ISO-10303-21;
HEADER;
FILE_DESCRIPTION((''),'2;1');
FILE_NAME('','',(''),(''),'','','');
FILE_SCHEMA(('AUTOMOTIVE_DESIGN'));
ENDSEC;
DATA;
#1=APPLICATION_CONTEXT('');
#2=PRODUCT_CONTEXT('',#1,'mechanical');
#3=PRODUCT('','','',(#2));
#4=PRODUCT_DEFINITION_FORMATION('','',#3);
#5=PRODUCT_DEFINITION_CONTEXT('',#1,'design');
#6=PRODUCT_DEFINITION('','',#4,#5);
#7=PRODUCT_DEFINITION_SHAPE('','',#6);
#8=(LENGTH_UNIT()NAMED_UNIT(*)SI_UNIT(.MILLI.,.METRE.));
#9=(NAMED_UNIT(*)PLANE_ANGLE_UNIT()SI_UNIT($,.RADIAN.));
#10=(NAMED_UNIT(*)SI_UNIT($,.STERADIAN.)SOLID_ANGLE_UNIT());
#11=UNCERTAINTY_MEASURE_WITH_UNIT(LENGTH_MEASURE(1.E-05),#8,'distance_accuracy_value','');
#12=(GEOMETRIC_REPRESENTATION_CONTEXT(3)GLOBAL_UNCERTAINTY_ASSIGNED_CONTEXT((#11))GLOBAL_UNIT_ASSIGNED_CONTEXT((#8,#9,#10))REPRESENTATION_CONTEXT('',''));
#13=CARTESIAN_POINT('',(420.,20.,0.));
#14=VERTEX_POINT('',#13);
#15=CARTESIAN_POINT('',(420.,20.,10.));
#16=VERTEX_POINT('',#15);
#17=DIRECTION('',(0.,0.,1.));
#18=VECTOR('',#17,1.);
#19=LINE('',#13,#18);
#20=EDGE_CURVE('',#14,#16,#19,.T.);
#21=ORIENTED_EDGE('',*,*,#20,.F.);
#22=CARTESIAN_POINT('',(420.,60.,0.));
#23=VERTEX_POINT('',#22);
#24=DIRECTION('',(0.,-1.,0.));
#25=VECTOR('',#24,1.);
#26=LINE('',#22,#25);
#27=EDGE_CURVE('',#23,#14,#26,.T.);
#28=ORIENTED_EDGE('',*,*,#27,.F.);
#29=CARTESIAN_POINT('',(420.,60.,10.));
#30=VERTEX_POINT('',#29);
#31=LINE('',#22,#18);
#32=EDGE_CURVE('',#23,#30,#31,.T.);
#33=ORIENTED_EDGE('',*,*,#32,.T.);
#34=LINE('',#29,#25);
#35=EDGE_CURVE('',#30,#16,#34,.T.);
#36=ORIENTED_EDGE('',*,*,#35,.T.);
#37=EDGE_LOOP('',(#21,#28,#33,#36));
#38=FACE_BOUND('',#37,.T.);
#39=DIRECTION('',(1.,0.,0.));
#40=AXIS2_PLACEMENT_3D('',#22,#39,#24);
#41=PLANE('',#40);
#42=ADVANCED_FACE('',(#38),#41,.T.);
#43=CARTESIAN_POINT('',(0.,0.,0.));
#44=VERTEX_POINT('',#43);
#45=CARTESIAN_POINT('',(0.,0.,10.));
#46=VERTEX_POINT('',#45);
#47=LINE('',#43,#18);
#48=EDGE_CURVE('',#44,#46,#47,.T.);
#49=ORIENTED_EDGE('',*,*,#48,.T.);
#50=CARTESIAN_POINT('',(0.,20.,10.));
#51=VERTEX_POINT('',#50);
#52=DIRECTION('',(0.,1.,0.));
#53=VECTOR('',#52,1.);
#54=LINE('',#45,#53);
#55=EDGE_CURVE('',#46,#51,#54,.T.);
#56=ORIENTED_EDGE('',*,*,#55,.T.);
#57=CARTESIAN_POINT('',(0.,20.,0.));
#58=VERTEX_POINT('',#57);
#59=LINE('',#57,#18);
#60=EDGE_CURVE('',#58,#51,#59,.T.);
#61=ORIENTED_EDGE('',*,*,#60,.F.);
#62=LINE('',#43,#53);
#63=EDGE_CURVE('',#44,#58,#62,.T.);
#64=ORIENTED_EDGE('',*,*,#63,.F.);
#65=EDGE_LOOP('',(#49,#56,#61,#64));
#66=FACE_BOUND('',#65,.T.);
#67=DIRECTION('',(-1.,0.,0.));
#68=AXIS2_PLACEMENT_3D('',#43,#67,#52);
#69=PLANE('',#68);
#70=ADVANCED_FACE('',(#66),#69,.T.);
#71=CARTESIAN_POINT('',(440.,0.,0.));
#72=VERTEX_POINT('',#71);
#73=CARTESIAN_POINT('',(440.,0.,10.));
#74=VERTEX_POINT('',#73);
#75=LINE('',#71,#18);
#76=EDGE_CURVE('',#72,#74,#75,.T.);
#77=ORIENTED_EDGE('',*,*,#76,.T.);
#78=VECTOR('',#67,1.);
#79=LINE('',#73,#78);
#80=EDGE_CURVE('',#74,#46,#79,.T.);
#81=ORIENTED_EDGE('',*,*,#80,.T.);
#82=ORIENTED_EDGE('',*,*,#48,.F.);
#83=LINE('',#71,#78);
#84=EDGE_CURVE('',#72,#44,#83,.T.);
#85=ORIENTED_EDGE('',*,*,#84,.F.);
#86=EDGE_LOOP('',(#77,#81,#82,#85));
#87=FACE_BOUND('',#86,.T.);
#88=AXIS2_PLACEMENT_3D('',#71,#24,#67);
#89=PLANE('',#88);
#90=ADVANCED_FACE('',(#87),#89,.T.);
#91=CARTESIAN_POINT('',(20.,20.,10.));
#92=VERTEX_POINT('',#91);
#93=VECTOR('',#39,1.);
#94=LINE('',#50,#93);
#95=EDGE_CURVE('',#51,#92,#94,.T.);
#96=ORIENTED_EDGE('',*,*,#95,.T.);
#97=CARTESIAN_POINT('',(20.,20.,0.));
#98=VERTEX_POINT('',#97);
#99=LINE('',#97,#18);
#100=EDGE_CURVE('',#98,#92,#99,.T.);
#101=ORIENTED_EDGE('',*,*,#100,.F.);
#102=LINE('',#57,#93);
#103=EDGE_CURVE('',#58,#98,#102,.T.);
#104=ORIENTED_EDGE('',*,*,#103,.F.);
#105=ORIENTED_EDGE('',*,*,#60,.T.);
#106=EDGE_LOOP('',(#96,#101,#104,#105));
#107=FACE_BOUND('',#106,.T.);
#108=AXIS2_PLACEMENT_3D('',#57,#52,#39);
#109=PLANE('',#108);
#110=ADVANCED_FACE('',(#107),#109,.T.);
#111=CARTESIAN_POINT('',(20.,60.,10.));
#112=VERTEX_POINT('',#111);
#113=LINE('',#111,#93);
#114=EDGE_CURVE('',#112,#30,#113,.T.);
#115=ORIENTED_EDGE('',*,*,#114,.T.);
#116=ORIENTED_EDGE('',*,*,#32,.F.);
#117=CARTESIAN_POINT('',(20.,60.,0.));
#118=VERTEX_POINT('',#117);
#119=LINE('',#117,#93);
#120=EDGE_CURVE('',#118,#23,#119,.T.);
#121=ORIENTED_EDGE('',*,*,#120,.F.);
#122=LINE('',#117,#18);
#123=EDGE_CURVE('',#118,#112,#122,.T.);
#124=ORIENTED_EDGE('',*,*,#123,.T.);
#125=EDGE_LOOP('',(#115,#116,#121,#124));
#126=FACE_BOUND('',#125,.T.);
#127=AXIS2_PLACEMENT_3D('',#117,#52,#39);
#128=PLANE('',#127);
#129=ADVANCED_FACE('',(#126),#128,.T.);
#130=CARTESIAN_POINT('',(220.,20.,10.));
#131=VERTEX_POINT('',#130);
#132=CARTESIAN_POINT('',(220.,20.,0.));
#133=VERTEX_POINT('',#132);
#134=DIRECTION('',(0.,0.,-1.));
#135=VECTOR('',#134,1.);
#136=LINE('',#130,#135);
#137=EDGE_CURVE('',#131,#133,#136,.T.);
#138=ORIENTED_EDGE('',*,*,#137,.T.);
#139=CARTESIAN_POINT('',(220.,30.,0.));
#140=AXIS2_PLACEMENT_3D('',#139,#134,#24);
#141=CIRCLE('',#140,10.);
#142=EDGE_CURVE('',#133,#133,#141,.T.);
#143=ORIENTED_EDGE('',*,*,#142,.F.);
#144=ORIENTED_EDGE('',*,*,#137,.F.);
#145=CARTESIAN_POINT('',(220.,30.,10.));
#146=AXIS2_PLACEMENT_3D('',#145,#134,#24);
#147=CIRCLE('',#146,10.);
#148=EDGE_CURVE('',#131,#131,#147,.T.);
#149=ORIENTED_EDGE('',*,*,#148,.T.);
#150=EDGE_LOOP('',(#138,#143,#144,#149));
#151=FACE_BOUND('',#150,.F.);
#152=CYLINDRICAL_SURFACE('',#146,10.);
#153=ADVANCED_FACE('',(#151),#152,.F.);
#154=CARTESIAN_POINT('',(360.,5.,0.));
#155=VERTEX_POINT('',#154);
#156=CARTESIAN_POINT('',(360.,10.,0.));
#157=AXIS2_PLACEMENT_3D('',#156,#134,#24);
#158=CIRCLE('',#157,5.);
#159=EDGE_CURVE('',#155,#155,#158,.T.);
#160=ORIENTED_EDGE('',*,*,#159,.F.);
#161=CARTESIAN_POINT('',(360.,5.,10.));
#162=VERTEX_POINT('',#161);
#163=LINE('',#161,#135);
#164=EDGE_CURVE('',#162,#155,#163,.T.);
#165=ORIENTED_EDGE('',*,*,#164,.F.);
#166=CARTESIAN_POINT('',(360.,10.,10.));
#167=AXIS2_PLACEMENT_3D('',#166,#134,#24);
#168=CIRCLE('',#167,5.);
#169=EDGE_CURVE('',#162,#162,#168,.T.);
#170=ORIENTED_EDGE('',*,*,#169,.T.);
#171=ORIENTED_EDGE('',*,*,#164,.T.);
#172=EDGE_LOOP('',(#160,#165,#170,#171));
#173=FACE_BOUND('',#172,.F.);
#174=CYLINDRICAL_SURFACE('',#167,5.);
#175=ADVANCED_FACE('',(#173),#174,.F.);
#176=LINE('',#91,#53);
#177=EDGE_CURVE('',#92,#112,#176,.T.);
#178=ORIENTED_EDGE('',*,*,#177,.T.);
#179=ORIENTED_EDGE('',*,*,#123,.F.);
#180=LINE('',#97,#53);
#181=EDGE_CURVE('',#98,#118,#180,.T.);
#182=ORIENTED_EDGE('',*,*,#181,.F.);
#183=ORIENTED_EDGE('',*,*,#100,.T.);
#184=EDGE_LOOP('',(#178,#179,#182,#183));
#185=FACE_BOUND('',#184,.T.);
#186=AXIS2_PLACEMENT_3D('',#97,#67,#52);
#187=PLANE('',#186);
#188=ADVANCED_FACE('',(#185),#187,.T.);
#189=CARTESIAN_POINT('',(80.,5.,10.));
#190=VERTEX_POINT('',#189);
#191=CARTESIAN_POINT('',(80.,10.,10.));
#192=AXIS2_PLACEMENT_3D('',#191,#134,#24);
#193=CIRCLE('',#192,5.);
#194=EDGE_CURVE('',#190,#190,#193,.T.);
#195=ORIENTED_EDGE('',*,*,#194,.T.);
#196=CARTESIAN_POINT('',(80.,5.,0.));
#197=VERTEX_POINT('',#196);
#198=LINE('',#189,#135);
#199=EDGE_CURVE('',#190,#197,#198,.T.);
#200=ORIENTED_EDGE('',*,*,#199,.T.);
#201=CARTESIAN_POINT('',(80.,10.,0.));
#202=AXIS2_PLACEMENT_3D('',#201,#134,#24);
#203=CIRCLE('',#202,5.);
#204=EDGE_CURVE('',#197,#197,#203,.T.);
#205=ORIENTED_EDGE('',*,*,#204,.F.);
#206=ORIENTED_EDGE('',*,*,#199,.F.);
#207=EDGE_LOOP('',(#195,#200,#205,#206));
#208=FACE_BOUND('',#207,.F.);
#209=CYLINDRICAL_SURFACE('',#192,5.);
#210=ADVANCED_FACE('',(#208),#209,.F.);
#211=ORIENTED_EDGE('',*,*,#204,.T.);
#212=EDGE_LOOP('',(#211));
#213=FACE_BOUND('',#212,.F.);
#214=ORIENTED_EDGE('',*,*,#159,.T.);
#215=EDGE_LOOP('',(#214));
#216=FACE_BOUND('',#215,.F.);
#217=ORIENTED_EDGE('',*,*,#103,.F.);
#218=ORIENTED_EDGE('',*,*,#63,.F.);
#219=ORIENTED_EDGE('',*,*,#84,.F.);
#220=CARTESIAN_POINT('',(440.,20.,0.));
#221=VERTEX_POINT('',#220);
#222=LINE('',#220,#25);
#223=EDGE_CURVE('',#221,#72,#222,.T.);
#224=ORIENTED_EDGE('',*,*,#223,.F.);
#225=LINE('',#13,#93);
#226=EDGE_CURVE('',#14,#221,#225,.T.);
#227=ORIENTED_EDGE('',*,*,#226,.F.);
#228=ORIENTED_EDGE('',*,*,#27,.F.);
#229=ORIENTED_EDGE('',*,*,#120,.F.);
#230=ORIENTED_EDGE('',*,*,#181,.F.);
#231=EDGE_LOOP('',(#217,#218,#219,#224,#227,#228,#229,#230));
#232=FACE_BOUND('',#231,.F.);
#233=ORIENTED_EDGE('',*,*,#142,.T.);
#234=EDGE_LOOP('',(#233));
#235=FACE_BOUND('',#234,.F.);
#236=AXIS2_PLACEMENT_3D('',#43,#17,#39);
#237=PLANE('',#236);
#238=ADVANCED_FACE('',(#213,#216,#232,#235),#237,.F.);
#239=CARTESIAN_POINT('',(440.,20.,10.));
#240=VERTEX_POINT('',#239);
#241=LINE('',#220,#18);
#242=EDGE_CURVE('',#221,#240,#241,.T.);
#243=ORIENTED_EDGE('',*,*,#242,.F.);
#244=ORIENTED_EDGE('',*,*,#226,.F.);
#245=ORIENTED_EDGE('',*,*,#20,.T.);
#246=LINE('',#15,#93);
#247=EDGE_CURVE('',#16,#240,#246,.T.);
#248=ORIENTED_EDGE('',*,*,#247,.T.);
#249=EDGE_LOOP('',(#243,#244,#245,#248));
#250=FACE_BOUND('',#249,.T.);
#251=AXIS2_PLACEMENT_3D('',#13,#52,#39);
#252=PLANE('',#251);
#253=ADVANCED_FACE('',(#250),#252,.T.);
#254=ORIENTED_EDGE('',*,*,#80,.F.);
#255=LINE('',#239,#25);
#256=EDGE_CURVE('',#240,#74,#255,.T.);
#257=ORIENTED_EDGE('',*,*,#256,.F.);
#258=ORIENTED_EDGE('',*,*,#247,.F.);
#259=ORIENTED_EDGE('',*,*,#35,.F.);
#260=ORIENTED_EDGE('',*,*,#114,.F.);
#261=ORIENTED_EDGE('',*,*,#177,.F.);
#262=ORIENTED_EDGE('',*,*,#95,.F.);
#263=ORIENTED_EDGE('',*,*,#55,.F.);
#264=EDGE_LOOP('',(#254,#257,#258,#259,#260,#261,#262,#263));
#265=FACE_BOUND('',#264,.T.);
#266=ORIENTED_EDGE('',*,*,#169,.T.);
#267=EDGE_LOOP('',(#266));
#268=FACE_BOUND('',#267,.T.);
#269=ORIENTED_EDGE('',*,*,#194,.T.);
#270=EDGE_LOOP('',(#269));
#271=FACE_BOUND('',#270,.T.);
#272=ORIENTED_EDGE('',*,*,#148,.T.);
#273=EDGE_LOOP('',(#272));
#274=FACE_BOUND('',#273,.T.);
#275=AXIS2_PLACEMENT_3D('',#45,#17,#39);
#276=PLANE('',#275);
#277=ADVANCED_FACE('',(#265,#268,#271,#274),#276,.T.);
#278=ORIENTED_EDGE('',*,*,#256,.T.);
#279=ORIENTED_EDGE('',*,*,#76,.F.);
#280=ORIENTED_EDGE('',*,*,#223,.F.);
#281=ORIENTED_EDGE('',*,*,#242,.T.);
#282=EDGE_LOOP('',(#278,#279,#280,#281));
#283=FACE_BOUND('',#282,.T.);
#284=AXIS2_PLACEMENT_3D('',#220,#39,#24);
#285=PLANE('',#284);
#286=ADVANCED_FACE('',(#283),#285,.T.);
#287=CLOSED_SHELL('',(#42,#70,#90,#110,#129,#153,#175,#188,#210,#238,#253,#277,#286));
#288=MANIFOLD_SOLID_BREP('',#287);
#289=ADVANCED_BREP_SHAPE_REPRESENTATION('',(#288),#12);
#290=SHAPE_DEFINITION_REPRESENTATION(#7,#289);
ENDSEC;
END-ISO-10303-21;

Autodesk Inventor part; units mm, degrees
ref_plane "YZ Plane" through (0, 0, 0) normal (1, 0, 0) x (0, 1, 0)
ref_plane "XZ Plane" through (0, 0, 0) normal (0, 1, 0) x (-1, 0, 0)
ref_plane "XY Plane" through (0, 0, 0) normal (0, 0, 1) x (1, 0, 0)
sketch "Sketch1" plane through (0, 0, 0) normal (0, 0, 1) x (1, 0, 0)
  line L0 (0, 0) -> (0, 20)
  line L1 (0, 20) -> (20, 20)
  line L2 (20, 20) -> (20, 60)
  line L3 (20, 60) -> (420, 60)
  line L4 (420, 60) -> (420, 20)
  line L5 (420, 20) -> (440, 20)
  line L6 (440, 20) -> (440, 0)
  line L7 (440, 0) -> (0, 0)
  dimension "d0" = 20
  dimension "d1" = 20
  dimension "d2" = 40
  dimension "d3" = 400
  dimension "d4" = 40
  dimension "d5" = 20
extrude "Extrusion1" add sketch "Sketch1" along normal blind 10
sketch "Sketch2" plane through (0, 0, 10) normal (0, 0, 1) x (1, 0, 0)
  line L0 (20, 60) -> (20, 20) projected
  line L1 (0, 0) -> (440, 0) projected
  point P0 (80, 10)
  dimension "d8" = 60
  dimension "d16" = 10
hole "Hole1" at (80, 10, 10) direction (0, 0, -1) diameter 10 end through all
sketch "Sketch3" plane through (0, 0, 10) normal (0, 0, 1) x (1, 0, 0)
  line L0 (420, 20) -> (420, 60) projected
  line L1 (0, 0) -> (440, 0) projected
  point P0 (360, 10)
  dimension "d17" = 60
  dimension "d25" = 10
hole "Hole2" at (360, 10, 10) direction (0, 0, -1) diameter 10 end through all
sketch "Sketch4" plane through (0, 0, 10) normal (0, 0, 1) x (1, 0, 0)
  line L0 (20, 60) -> (20, 20) projected
  line L1 (0, 0) -> (440, 0) projected
  point P0 (220, 30)
  dimension "d26" = 200
  dimension "d34" = 30
hole "Hole3" at (220, 30, 10) direction (0, 0, -1) diameter 20 end through all
